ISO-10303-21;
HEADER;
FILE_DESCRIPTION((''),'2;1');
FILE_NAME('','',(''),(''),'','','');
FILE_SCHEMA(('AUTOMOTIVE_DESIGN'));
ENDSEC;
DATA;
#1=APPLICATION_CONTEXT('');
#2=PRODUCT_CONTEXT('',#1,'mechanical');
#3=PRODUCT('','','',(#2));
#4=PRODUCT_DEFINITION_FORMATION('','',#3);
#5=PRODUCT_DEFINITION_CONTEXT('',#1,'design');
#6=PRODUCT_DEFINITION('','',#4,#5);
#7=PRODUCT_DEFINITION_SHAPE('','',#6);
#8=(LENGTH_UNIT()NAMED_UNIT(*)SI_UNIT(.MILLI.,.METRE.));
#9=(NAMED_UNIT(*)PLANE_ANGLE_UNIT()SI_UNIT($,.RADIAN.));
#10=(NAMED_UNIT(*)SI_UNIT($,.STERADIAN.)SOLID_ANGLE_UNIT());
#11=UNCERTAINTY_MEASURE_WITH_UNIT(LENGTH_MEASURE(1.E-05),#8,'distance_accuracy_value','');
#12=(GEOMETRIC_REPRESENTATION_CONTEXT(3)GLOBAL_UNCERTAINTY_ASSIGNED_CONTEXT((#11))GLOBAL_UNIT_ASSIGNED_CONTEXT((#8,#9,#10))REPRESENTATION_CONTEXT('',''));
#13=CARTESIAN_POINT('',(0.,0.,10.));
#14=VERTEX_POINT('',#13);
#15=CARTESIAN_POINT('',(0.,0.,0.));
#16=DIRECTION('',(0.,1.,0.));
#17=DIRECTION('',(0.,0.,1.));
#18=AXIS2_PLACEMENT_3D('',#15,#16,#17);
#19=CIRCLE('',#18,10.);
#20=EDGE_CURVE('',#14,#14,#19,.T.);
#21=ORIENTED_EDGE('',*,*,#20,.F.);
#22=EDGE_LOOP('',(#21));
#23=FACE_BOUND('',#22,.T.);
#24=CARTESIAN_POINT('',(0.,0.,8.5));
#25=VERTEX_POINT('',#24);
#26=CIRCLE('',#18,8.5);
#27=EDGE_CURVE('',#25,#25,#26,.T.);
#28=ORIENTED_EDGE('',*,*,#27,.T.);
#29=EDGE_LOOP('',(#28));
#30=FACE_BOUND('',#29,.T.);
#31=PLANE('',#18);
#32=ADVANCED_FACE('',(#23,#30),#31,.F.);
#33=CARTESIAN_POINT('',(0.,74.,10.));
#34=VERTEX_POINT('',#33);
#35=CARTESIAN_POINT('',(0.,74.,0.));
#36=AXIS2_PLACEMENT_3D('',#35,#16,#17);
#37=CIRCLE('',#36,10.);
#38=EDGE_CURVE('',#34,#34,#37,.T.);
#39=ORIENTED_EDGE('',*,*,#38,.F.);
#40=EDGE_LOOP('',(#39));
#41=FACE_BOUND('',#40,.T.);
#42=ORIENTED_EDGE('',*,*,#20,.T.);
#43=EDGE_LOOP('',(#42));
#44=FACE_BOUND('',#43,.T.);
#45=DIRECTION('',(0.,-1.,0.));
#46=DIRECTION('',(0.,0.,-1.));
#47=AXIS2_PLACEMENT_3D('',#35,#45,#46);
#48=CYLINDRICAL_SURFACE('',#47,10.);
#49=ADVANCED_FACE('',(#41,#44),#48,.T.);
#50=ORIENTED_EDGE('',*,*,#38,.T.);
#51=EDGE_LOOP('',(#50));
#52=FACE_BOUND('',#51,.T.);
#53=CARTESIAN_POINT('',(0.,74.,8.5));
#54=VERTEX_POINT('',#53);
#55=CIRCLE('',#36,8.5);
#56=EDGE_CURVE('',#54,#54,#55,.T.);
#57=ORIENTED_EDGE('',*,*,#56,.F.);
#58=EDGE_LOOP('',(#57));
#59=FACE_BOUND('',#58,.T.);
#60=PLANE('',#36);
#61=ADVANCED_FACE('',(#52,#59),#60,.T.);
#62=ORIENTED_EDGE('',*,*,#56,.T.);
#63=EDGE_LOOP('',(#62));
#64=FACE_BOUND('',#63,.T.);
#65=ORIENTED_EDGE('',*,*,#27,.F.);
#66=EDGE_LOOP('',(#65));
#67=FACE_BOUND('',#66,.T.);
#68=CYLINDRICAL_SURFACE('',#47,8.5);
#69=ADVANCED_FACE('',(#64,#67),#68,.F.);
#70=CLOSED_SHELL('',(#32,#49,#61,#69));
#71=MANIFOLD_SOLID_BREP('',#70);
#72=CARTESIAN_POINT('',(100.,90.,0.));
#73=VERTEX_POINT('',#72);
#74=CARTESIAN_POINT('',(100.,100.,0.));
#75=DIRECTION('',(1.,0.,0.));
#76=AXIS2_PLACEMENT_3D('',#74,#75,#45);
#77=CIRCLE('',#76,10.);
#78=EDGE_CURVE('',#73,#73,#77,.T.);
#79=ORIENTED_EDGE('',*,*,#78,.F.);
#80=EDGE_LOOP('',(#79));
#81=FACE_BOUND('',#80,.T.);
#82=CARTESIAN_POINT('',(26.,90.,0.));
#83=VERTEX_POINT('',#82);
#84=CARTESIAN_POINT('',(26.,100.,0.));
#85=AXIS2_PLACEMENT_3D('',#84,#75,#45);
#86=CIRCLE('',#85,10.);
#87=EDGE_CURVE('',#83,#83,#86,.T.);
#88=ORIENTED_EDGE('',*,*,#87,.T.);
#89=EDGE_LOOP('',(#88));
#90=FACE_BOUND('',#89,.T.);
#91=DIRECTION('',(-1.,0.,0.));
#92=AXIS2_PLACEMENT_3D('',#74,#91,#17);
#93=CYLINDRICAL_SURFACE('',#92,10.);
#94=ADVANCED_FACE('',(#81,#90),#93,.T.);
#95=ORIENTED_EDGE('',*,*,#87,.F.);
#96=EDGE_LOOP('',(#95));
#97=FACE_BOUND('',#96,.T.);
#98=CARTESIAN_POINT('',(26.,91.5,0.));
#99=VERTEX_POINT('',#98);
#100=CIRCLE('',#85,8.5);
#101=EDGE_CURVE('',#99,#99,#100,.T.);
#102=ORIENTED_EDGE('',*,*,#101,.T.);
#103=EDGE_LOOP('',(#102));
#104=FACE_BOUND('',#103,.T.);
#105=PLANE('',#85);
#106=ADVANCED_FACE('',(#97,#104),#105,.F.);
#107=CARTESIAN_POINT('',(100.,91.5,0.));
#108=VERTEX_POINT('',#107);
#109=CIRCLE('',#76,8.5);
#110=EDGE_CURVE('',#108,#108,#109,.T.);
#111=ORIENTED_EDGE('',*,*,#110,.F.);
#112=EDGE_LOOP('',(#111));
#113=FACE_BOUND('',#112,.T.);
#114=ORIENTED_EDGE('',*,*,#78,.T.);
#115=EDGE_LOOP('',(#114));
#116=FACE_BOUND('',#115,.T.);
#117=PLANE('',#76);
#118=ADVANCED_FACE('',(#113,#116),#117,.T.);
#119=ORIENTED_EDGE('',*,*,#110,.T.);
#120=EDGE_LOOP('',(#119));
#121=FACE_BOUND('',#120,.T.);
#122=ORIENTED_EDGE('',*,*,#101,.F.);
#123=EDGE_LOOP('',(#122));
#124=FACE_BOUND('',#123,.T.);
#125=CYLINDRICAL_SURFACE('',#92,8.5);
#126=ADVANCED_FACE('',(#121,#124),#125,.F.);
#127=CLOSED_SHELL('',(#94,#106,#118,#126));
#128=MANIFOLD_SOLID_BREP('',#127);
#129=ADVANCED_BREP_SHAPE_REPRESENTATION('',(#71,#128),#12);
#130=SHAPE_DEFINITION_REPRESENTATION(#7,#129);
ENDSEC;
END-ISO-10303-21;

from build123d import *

# Parameters (mm, degrees)
TUBE_METRIQUE_ROUL_SOUD_R                    = 10
TUBE_METRIQUE_ROUL_SOUD_R_2                  = 8.5
TUBES_METRIQUES_ROUL_S_SOUD_S_TUBE_002_DEPTH = 74
TUBE_METRIQUE_ROUL_SOUD_ON_SEGMENT_2_R       = 10
TUBE_METRIQUE_ROUL_SOUD_ON_SEGMENT_2_R_2     = 8.5
TUBES_METRIQUES_ROUL_S_SOUD_S_TUBE_2_DEPTH   = 74


with BuildPart() as part:
    # Tube Metrique roulé-soudé → Tubes metriques roulés soudés TUBE Ø 0020 X 1,5 MM(1) (new body)
    with BuildSketch(Plane(origin=(0, 0, 0), x_dir=(1, 0, 0), z_dir=(0, 1, 0))):
        Circle(TUBE_METRIQUE_ROUL_SOUD_R)
        Circle(TUBE_METRIQUE_ROUL_SOUD_R_2, mode=Mode.SUBTRACT)
    extrude(amount=TUBES_METRIQUES_ROUL_S_SOUD_S_TUBE_002_DEPTH)


with BuildPart() as body_2:
    # Tube Metrique roulé-soudé on segment 2 (carried to segment 2) → Tubes metriques roul_s soud_s TUBE _ 2 (new body)
    with BuildSketch(Plane(origin=(26, 100, 0), x_dir=(0, -1, 0), z_dir=(1, 0, 0))):
        Circle(TUBE_METRIQUE_ROUL_SOUD_ON_SEGMENT_2_R)
        Circle(TUBE_METRIQUE_ROUL_SOUD_ON_SEGMENT_2_R_2, mode=Mode.SUBTRACT)
    extrude(amount=TUBES_METRIQUES_ROUL_S_SOUD_S_TUBE_2_DEPTH)


solid = Compound([part.part, body_2.part])
